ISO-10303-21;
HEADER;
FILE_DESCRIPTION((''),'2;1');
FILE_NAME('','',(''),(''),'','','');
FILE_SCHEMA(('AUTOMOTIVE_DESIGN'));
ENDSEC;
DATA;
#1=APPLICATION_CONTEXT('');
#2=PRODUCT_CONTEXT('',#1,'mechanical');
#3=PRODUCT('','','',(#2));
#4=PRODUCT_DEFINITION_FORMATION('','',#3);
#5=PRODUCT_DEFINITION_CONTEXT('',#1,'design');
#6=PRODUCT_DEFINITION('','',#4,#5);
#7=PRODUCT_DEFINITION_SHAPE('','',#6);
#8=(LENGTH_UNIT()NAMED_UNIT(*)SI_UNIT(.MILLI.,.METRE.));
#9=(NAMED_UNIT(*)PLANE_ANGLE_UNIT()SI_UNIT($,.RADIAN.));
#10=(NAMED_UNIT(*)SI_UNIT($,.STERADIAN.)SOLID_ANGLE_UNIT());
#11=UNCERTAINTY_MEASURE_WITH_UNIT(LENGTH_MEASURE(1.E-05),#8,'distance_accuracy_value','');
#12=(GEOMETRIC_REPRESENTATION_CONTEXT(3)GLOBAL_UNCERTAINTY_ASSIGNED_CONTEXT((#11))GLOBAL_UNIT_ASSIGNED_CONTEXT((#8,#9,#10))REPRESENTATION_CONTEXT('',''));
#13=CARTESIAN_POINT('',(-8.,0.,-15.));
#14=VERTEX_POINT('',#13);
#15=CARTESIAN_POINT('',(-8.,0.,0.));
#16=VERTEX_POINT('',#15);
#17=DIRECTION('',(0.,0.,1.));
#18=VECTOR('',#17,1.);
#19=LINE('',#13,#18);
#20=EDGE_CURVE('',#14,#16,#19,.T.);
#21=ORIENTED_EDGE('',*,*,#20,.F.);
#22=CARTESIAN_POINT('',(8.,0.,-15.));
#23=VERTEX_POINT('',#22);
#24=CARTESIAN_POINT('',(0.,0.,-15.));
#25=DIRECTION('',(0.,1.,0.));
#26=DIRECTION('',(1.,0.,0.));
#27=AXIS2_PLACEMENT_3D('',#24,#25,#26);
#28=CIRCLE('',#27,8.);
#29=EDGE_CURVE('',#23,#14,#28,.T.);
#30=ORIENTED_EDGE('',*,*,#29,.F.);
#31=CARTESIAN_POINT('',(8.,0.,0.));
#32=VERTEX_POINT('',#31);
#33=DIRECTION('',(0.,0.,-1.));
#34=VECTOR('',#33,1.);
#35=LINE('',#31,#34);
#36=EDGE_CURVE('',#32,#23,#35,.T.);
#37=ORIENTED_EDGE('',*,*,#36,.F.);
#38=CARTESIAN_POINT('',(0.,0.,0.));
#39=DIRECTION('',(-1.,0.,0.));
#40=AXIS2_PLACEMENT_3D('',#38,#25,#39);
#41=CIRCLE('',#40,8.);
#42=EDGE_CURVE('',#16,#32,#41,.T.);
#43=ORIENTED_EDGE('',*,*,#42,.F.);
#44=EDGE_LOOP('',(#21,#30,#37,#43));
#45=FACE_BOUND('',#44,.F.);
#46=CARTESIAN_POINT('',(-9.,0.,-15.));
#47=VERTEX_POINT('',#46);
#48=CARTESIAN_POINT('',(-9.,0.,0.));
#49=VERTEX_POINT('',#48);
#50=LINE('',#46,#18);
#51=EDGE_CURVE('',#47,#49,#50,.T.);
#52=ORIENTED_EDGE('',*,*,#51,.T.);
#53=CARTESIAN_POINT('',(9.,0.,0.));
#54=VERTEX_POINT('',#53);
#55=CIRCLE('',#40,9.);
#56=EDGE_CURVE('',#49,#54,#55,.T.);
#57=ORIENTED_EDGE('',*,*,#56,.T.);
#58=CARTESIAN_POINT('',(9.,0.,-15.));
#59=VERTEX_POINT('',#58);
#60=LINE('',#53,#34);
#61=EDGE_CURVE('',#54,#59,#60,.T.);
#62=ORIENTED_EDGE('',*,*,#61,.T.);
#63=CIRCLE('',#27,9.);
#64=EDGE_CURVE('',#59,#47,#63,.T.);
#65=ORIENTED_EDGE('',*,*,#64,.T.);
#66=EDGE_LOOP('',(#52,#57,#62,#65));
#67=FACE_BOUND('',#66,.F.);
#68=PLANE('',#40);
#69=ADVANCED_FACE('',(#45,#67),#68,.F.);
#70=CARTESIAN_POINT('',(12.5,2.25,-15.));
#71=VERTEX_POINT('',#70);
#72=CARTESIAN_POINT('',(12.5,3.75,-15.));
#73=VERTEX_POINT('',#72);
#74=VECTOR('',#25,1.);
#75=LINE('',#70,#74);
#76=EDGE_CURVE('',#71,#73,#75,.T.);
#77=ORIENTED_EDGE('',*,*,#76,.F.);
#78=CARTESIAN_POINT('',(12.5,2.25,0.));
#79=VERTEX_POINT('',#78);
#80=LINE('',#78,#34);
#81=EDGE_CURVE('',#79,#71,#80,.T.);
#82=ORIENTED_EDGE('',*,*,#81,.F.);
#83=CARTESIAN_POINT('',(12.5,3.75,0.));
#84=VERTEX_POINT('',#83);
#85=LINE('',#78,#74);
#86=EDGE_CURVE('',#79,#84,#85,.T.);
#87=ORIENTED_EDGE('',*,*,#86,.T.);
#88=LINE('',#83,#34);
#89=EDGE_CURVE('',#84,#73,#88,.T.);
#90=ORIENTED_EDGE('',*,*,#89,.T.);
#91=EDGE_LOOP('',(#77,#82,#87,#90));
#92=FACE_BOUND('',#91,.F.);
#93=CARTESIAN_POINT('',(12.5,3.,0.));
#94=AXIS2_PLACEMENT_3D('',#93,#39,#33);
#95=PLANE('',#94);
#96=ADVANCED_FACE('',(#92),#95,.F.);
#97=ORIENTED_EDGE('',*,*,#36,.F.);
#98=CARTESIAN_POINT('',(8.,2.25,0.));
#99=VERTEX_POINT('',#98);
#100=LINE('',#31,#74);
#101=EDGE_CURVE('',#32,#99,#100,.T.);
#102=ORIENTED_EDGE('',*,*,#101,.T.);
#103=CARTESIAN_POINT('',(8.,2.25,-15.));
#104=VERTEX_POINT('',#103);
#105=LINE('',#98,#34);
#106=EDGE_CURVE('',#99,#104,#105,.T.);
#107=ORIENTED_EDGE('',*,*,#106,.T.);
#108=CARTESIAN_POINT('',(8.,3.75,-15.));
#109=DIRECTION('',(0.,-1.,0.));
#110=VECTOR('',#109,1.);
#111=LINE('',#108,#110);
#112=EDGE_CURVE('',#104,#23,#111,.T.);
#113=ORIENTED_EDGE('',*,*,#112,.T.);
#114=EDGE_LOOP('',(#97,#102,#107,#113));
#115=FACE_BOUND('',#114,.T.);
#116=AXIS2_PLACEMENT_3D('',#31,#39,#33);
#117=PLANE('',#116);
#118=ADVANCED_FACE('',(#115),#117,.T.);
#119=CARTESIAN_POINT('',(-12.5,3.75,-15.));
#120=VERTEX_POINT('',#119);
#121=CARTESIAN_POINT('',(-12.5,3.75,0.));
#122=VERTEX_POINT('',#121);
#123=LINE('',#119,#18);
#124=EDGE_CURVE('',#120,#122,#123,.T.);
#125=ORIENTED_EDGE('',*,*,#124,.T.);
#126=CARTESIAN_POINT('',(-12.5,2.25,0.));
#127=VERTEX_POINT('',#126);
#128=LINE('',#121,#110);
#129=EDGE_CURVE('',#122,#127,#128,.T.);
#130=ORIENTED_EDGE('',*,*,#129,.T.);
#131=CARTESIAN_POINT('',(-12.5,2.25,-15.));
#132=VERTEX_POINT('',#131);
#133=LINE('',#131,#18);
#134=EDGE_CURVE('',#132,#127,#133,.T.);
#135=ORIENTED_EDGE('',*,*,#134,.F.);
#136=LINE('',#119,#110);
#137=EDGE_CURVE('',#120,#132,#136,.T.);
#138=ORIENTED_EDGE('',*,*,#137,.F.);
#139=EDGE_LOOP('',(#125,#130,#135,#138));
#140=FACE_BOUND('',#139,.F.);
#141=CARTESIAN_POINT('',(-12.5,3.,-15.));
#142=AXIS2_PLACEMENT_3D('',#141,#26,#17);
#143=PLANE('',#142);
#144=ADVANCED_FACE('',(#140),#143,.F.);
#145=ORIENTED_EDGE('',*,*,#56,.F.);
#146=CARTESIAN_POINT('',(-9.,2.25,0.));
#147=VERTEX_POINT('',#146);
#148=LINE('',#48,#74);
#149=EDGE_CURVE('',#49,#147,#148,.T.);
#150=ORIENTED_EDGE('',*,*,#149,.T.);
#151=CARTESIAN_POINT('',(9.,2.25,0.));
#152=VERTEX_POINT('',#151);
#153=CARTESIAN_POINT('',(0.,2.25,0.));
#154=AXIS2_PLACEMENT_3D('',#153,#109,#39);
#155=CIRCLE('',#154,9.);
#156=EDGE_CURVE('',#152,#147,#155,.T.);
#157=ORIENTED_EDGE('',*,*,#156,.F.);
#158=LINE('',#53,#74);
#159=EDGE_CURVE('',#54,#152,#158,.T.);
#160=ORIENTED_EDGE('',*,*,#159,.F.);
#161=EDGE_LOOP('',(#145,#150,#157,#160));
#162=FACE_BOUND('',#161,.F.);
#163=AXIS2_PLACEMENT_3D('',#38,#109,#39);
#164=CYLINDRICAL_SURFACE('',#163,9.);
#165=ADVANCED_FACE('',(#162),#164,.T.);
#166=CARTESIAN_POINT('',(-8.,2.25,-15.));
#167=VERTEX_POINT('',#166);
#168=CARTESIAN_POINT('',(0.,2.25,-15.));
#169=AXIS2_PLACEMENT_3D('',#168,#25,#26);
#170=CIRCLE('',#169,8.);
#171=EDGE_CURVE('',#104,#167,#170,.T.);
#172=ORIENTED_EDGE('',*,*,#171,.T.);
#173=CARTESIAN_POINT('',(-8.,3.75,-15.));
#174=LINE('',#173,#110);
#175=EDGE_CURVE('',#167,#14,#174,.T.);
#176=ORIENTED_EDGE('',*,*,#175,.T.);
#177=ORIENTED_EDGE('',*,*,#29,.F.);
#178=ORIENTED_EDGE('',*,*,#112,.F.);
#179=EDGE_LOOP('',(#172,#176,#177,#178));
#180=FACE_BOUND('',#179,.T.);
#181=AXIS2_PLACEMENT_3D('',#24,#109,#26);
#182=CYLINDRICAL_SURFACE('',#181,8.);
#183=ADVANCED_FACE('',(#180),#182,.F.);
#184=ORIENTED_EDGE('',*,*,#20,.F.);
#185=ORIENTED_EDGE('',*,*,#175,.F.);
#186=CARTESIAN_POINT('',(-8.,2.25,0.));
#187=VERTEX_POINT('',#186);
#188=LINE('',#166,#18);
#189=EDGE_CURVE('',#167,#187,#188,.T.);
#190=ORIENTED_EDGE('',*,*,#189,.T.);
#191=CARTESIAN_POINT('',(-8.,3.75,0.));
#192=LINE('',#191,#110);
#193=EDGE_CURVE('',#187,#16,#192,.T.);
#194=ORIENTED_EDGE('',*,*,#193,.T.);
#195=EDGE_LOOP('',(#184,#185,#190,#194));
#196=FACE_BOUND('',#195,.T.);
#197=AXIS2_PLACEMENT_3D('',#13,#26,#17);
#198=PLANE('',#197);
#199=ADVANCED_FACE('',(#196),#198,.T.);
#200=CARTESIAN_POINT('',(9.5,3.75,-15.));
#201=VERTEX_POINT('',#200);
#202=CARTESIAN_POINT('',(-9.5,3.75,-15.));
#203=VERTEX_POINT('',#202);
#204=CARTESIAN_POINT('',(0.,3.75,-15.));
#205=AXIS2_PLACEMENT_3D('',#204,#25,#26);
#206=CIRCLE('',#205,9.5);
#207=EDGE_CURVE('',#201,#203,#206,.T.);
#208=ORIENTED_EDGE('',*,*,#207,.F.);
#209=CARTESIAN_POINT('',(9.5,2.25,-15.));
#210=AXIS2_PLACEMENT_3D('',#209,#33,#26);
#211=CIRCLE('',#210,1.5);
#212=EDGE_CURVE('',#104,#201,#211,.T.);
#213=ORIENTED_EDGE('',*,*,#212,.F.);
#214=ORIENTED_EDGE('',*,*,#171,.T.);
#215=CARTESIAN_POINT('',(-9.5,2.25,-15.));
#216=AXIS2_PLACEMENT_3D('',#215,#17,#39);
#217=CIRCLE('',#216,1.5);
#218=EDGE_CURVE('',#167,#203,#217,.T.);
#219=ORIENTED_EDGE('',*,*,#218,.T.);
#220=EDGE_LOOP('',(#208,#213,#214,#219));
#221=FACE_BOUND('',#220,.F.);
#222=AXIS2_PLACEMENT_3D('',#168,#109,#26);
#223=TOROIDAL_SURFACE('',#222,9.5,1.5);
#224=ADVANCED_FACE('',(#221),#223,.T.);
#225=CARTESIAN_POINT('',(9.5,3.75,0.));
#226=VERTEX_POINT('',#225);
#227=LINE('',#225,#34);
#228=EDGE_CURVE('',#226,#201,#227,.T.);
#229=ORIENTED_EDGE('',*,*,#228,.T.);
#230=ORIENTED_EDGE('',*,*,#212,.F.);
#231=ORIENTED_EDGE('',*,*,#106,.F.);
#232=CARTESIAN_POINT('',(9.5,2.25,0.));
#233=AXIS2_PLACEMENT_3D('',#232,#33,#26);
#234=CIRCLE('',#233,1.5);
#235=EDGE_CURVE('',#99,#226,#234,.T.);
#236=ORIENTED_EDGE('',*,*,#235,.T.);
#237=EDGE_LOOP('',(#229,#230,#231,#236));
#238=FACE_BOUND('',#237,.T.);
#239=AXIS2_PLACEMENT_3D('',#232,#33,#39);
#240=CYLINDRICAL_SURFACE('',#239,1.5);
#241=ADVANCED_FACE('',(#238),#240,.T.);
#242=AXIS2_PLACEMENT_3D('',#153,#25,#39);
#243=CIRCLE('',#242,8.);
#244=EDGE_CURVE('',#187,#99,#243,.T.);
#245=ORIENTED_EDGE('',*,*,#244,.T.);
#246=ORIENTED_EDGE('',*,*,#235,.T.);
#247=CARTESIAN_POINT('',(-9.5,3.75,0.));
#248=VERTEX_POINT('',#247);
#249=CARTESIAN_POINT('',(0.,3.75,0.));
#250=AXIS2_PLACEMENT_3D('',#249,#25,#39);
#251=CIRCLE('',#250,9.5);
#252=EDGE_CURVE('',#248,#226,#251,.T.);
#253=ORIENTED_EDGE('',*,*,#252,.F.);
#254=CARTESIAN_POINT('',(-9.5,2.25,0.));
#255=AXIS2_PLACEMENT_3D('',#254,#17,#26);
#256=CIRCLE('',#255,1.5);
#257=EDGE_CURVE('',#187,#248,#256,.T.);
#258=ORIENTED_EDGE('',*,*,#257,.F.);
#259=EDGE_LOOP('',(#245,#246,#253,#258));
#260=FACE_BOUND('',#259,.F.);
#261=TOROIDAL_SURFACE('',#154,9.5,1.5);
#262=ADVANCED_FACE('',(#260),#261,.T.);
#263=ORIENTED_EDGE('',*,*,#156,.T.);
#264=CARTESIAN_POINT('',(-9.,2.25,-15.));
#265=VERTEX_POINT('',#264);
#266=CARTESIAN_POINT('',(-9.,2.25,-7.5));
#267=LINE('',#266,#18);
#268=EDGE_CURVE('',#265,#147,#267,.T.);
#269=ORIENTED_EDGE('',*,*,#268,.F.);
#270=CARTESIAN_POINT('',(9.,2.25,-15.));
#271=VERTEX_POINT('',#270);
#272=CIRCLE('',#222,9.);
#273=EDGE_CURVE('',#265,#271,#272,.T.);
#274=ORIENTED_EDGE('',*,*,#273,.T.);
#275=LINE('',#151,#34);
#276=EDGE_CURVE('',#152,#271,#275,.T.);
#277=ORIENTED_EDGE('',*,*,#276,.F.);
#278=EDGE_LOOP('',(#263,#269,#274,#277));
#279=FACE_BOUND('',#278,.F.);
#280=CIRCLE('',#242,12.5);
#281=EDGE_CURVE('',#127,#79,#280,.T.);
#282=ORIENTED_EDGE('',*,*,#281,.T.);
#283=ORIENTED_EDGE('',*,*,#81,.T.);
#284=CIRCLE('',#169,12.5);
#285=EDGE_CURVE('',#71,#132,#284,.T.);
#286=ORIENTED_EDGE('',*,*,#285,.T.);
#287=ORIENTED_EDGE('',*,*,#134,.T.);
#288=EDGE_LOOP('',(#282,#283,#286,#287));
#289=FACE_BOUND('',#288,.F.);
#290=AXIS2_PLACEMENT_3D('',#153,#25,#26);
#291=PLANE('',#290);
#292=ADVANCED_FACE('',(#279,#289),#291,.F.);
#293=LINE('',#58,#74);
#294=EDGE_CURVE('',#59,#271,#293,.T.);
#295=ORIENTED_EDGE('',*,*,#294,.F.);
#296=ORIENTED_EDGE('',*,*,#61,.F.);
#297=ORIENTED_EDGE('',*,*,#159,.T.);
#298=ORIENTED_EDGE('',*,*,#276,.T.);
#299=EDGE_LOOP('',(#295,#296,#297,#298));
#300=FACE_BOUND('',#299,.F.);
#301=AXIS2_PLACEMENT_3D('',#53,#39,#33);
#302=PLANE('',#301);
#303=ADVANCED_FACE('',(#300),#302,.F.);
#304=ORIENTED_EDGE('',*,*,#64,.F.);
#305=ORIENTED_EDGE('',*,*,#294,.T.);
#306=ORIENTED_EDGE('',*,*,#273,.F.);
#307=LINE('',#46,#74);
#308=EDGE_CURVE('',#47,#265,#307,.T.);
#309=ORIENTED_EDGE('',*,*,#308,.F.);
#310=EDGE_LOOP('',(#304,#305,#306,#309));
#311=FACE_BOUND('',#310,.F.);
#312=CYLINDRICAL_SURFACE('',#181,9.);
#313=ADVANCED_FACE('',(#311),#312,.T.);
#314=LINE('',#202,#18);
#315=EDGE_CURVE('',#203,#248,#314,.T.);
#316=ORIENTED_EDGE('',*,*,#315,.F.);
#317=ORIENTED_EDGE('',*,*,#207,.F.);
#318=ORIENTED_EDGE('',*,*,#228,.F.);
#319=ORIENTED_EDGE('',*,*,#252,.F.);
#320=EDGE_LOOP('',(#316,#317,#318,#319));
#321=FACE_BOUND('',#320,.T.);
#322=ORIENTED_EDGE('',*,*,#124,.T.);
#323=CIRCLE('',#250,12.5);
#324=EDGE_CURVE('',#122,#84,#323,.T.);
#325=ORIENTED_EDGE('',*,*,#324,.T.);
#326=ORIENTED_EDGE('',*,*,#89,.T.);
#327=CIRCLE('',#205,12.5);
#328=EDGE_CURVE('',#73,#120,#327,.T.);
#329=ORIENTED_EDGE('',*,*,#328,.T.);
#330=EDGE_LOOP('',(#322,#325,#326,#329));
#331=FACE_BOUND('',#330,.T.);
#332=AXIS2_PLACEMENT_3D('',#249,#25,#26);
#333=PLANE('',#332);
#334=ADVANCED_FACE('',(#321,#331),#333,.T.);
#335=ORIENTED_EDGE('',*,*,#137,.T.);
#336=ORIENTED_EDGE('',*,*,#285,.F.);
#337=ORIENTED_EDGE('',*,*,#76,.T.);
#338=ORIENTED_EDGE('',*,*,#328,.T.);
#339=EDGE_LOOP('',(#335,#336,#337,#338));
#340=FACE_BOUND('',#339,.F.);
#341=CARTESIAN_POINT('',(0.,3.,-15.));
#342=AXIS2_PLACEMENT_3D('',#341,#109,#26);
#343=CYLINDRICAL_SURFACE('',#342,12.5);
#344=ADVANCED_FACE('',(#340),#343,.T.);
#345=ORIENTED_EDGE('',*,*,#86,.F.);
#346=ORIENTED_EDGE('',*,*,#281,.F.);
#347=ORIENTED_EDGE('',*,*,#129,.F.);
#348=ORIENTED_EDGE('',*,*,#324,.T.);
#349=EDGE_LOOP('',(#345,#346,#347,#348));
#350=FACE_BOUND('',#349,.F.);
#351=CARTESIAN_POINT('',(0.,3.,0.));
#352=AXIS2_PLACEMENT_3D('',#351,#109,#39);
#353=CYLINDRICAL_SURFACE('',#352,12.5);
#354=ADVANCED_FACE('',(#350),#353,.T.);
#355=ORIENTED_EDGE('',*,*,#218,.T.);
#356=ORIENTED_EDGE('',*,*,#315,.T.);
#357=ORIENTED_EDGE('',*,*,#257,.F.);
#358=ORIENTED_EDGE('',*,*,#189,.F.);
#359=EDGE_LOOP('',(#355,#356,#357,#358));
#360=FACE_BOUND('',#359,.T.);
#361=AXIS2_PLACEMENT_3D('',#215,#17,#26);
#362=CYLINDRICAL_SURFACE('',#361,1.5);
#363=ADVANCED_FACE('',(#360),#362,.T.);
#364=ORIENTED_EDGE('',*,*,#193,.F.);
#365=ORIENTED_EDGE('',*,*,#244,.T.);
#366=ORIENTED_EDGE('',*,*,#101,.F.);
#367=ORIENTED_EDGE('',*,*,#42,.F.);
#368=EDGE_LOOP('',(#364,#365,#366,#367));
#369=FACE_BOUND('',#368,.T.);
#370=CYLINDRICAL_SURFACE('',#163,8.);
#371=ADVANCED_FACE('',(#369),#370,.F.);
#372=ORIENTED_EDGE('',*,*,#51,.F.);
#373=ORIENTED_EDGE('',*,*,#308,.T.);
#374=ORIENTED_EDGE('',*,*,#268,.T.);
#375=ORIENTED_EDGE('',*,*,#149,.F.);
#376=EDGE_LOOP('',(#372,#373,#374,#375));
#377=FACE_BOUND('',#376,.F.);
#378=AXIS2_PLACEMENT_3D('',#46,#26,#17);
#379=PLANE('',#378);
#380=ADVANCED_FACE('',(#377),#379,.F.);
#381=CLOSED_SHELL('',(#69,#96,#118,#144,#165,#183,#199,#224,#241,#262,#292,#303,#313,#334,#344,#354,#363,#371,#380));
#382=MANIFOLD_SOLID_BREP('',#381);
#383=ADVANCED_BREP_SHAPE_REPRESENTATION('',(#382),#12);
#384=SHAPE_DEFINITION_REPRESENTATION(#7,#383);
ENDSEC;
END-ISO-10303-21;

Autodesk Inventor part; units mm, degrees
ref_plane "YZ Plane" through (0, 0, 0) normal (1, 0, 0) x (0, 1, 0)
ref_plane "XZ Plane" through (0, 0, 0) normal (0, 1, 0) x (-1, 0, 0)
ref_plane "XY Plane" through (0, 0, 0) normal (0, 0, 1) x (1, 0, 0)
sketch "Sketch1" plane through (0, 0, 0) normal (0, 1, 0) x (-1, 0, 0)
  line L0 (0, 0) -> (0, -15) construction
  line L1 (-9, 0) -> (-9, -15)
  line L2 (9, -15) -> (9, 0)
  arc A0 (9, 0) -> (-9, 0) centre (0, 0) ccw
  arc A1 (-9, -15) -> (9, -15) centre (0, -15) ccw
  line L3 (0, 0) -> (0, -15) construction
  line L4 (-8, 0) -> (-8, -15)
  line L5 (8, -15) -> (8, 0)
  arc A2 (8, 0) -> (-8, 0) centre (0, 0) ccw
  arc A3 (-8, -15) -> (8, -15) centre (0, -15) ccw
  point P0 (0, -7.5)
  point P1 (0, -7.5)
  dimension "d0" = 15
  dimension "d1" = 18
  dimension "d2" = 15
  dimension "d3" = 16
extrude "Extrusion1" add sketch "Sketch1" along normal blind 3
sketch "Sketch2" plane through (0, 3, 0) normal (0, 1, 0) x (1, 0, 0)
  line L0 (0, 0) -> (0, 15) construction
  line L1 (12.5, 0) -> (12.5, 15)
  line L2 (-12.5, 15) -> (-12.5, 0)
  arc A0 (-12.5, 0) -> (12.5, 0) centre (0, 0) ccw
  arc A1 (12.5, 15) -> (-12.5, 15) centre (0, 15) ccw
  line L3 (0, 0) -> (0, 15) construction
  line L4 (8, 0) -> (8, 15)
  line L5 (-8, 15) -> (-8, 0)
  arc A2 (-8, 0) -> (8, 0) centre (0, 0) ccw
  arc A3 (8, 15) -> (-8, 15) centre (0, 15) ccw
  point P0 (0, 7.5)
  point P1 (0, 7.5)
  dimension "d6" = 15
  dimension "d7" = 25
  dimension "d8" = 15
  dimension "d9" = 16
extrude "Extrusion2" add sketch "Sketch2" along normal mid plane 1.5
fillet "Fillet1" radius 1.5 4 edges at (0, 3.75, -23) (8, 3.75, -7.5) (0, 3.75, 8) (-8, 3.75, -7.5)
properties part number "Spacer"
